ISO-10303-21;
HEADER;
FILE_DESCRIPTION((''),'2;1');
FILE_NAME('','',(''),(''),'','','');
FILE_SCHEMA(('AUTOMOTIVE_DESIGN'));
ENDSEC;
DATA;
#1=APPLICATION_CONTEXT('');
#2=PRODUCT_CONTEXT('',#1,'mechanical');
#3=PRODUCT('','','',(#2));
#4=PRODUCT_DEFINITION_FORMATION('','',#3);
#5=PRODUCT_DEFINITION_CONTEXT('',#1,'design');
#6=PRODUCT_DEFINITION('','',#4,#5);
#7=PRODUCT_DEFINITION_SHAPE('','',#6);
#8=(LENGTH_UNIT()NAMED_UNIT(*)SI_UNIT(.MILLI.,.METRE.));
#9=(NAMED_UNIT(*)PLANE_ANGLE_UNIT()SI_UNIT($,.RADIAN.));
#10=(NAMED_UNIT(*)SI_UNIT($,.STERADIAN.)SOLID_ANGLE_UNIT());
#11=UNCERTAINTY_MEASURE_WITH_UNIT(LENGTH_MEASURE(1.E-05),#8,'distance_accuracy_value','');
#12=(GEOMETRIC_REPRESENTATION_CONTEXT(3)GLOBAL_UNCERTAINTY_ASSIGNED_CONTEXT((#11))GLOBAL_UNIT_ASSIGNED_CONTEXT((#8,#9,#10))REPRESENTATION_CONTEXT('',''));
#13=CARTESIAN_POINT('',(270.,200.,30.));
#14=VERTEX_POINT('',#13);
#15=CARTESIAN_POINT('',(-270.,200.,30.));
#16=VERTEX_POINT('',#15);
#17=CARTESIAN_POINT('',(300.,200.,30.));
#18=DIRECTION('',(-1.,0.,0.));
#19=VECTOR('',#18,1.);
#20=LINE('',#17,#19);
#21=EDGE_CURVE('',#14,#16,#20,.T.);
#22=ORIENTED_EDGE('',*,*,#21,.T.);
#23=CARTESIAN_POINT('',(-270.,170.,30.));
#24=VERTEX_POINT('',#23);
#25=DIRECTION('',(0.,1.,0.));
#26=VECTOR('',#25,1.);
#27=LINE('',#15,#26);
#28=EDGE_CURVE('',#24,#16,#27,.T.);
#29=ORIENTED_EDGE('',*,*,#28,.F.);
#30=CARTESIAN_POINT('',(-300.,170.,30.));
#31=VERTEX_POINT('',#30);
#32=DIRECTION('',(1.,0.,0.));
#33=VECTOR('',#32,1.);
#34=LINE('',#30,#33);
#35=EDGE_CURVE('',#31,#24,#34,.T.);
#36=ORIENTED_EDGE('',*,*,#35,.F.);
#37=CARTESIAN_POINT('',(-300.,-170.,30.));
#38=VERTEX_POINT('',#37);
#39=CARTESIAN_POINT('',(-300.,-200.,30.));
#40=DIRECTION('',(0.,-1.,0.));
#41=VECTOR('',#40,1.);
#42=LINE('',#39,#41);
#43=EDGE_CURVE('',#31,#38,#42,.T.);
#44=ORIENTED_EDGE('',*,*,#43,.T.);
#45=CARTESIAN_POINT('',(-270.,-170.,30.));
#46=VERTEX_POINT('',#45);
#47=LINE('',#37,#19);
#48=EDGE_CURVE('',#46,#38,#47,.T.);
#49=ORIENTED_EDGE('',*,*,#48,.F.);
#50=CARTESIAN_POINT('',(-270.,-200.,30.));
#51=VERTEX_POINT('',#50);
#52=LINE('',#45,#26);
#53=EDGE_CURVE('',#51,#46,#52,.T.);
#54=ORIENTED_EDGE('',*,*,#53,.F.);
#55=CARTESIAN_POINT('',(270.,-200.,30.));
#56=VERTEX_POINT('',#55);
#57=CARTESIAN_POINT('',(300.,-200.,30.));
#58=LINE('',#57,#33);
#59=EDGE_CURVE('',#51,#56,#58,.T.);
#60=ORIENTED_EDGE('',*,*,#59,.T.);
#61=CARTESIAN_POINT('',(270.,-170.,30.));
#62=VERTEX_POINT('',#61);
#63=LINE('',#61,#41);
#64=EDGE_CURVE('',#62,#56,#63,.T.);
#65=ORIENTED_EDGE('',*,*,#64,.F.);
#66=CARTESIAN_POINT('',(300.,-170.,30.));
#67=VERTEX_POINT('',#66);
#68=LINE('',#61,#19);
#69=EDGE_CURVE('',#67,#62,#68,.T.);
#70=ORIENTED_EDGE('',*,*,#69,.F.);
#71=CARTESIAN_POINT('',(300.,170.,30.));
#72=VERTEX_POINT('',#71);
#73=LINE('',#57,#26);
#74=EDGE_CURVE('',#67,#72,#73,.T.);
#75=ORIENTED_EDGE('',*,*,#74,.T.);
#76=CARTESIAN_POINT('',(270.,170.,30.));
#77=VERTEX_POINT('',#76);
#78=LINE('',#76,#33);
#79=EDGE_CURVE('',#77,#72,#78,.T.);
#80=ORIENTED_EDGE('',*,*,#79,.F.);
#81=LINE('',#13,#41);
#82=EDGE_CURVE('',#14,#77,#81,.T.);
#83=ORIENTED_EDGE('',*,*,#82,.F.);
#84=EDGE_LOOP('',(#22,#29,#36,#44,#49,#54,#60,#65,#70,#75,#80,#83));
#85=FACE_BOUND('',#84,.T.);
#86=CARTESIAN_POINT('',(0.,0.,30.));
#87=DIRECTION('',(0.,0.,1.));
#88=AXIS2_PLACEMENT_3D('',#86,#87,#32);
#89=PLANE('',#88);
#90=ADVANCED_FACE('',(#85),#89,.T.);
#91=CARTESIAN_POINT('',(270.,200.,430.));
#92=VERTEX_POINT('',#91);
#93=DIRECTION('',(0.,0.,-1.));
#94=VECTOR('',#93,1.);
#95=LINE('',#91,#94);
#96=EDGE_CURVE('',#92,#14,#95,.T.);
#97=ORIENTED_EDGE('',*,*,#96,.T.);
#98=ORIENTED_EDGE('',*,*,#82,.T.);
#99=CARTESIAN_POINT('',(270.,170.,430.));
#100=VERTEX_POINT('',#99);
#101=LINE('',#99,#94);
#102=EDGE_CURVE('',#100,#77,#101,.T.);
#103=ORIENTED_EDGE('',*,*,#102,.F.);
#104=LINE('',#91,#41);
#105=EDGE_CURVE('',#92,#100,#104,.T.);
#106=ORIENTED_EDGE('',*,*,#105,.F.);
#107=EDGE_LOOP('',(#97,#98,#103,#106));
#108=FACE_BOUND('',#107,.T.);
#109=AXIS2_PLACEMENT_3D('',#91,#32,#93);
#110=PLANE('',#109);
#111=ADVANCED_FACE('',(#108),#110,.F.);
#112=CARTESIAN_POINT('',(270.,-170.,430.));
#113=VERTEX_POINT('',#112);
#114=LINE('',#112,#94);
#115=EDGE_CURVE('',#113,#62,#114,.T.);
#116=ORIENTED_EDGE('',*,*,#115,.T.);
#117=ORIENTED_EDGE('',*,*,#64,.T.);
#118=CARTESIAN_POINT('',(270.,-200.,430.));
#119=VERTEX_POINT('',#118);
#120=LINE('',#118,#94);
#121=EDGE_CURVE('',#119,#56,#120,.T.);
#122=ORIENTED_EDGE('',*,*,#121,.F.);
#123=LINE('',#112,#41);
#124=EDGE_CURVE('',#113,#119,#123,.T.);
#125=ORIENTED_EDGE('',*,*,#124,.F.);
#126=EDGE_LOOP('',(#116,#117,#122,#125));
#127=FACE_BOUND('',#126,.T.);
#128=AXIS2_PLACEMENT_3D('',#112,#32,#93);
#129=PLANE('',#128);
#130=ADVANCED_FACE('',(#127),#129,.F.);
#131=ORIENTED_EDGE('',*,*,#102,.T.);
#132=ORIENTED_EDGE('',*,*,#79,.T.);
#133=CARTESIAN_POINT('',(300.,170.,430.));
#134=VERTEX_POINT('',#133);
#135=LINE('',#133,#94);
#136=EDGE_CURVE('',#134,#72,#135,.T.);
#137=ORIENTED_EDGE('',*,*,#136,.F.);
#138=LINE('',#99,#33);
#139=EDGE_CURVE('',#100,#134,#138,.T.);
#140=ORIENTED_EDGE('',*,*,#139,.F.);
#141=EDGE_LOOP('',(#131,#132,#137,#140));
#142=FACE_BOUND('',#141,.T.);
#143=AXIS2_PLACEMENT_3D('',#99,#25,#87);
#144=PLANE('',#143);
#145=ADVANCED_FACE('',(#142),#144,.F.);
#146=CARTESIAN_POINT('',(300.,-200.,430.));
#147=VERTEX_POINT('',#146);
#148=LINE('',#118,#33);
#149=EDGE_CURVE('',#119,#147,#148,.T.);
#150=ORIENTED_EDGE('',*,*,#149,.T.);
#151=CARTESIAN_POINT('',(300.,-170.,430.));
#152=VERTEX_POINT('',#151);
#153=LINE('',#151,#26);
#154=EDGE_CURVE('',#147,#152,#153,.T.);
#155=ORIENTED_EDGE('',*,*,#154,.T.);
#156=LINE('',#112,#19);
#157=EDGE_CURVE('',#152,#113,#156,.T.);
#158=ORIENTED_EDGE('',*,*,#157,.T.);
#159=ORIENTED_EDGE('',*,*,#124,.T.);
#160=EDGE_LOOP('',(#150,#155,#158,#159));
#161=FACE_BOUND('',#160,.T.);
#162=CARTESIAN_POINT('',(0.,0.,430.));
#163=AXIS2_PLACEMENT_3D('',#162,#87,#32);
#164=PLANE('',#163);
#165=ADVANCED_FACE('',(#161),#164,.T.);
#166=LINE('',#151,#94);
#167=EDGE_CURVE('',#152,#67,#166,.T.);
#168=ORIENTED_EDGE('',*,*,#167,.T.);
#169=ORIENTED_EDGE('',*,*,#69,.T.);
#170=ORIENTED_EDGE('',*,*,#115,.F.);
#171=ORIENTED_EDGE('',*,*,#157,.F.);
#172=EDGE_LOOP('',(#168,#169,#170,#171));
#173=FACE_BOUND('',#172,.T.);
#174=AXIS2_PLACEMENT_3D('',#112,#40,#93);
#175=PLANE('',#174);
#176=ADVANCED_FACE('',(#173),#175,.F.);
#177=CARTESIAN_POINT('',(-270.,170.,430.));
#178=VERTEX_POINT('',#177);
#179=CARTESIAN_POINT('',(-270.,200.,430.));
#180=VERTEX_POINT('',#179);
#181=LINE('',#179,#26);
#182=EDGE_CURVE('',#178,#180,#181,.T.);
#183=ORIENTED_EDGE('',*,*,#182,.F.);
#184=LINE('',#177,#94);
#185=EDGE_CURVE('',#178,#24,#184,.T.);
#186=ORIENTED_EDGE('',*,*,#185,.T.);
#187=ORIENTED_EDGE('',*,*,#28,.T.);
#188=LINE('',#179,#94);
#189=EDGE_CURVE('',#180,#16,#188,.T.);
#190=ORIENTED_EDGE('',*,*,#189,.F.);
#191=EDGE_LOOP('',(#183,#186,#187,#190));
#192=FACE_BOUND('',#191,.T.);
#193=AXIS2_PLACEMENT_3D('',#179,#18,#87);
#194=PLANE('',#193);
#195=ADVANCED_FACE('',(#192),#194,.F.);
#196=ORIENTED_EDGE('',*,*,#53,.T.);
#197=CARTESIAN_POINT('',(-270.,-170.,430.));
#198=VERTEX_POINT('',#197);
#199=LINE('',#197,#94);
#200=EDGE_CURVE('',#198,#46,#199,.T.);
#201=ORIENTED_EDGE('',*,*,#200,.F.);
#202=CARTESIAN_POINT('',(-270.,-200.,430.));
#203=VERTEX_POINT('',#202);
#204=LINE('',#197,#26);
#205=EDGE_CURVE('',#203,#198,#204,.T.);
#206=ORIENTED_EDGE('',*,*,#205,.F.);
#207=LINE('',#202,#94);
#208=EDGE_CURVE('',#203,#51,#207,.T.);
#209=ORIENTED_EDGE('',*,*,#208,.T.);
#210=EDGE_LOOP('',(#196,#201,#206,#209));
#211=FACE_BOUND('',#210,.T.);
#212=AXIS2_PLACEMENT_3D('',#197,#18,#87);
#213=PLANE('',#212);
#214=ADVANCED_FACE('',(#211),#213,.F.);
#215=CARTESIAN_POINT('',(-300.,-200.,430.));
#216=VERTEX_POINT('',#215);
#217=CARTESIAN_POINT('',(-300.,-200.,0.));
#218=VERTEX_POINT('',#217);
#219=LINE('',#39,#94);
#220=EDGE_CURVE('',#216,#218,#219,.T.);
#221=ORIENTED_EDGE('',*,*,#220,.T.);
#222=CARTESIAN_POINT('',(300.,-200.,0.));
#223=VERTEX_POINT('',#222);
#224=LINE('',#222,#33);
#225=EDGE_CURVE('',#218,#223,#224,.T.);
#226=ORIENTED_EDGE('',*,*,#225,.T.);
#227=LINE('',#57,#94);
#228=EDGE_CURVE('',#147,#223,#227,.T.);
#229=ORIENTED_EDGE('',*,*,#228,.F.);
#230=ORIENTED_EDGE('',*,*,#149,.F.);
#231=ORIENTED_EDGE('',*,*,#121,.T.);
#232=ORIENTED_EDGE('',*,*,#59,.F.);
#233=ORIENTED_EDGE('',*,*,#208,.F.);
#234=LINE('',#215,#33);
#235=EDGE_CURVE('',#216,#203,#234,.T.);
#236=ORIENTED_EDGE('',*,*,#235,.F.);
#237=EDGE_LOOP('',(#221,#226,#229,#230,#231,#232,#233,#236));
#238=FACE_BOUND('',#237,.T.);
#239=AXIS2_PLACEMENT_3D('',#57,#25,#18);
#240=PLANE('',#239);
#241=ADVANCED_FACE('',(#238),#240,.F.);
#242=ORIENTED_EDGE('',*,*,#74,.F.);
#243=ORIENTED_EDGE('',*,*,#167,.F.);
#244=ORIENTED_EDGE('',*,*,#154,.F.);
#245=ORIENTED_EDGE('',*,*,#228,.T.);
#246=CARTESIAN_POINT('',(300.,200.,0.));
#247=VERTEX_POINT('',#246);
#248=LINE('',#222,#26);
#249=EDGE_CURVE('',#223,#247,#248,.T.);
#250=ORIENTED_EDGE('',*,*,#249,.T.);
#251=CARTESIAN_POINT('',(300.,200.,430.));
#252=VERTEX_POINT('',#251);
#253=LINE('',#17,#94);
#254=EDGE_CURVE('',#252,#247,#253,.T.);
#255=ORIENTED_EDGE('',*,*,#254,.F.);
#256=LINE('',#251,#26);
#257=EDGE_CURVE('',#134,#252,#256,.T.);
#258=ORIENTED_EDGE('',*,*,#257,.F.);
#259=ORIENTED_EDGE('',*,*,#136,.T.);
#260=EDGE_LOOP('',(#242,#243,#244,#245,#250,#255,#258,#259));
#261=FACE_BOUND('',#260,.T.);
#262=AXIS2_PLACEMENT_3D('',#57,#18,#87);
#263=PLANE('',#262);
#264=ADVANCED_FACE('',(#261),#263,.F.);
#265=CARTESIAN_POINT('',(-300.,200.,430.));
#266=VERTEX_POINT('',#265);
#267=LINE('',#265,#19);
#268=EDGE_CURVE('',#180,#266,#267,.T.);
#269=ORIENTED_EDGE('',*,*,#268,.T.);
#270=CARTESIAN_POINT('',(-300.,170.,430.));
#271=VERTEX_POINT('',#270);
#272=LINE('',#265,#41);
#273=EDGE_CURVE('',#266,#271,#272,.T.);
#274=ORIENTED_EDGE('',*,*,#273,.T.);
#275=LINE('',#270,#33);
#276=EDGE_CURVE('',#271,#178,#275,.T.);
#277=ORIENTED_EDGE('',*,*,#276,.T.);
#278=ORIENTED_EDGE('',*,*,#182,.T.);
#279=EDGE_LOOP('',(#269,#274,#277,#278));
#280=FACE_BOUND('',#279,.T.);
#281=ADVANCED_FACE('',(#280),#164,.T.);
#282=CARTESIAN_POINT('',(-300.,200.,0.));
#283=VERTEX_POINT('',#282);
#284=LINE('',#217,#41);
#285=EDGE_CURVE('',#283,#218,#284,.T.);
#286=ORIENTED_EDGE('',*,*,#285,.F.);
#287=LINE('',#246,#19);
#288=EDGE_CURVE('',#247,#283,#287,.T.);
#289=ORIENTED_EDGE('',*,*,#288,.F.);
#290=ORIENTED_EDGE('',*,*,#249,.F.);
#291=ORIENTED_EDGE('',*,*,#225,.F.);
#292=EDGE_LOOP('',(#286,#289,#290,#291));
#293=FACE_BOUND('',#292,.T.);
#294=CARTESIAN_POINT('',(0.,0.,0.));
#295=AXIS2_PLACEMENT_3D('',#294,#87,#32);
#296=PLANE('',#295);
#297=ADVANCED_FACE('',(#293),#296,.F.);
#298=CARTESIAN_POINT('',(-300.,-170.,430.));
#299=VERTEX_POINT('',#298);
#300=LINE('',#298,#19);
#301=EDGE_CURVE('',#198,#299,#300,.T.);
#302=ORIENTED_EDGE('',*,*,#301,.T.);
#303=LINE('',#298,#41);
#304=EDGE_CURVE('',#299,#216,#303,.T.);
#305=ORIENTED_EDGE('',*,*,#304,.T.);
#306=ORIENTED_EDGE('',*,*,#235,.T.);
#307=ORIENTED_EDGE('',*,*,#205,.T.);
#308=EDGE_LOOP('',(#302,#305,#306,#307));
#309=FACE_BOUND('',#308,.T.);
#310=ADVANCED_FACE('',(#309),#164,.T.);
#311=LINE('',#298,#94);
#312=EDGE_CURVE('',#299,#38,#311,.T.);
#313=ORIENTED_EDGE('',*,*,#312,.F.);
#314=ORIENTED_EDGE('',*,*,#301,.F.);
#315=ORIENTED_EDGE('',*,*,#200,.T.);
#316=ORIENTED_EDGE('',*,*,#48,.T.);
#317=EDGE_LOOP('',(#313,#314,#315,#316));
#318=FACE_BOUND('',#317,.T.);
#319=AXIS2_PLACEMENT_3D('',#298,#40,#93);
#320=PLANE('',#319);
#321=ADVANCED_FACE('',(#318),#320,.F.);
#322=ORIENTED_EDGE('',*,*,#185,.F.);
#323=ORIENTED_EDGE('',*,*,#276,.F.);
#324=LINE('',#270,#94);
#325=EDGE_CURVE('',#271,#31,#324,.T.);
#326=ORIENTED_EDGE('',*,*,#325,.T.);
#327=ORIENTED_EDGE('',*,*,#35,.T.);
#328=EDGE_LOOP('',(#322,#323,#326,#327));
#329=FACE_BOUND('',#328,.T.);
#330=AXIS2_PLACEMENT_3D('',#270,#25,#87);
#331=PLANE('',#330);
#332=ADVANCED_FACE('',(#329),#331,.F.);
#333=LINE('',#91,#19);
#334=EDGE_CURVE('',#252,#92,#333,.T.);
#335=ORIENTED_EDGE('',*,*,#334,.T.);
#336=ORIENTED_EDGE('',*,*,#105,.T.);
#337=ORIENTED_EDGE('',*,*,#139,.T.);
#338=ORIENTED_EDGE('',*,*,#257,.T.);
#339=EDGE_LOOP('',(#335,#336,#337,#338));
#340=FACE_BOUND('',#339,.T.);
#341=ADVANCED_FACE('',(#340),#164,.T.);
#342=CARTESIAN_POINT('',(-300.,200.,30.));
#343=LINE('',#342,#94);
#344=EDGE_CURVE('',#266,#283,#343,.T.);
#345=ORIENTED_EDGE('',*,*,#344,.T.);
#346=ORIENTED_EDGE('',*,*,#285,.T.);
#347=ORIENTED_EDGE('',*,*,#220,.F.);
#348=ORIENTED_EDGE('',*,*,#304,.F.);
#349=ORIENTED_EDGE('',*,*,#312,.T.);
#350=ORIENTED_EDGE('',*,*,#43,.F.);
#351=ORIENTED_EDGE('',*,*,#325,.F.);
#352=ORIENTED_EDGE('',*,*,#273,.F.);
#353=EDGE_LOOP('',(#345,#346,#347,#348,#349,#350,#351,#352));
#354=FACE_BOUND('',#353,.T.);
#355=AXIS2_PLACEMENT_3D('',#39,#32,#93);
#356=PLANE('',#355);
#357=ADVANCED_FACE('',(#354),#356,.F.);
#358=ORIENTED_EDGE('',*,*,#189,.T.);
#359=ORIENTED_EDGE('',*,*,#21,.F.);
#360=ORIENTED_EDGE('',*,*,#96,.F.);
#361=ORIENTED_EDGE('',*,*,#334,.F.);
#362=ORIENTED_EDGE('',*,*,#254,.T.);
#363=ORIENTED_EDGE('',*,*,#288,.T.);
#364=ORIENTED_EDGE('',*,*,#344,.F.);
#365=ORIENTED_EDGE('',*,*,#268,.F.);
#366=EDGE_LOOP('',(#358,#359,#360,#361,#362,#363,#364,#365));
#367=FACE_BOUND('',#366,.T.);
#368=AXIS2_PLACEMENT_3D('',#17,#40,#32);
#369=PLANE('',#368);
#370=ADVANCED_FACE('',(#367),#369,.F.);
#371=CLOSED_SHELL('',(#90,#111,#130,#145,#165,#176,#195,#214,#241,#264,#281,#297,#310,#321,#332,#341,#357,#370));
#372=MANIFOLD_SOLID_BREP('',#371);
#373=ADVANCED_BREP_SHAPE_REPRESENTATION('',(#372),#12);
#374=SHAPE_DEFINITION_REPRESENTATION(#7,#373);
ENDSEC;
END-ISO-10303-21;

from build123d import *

# Parameters (mm, degrees)
SKETCH1_W           = 600
SKETCH1_H           = 400
BOSS_EXTRUDE1_DEPTH = 30
SKETCH2_W           = 30
SKETCH2_H           = 30
BOSS_EXTRUDE2_DEPTH = 400


with BuildPart() as part:
    # Sketch1 → Boss-Extrude1 (new body)
    with BuildSketch(Plane.XY):
        Rectangle(SKETCH1_W, SKETCH1_H)
    extrude(amount=BOSS_EXTRUDE1_DEPTH)

    # Sketch2 → Boss-Extrude2 (add)
    with BuildSketch(Plane.XY.offset(30)):
        with Locations((285, 185)):
            Rectangle(SKETCH2_W, SKETCH2_H)
        with Locations((-285, 185)):
            Rectangle(SKETCH2_W, SKETCH2_H)
        with Locations((285, -185)):
            Rectangle(SKETCH2_W, SKETCH2_H)
        with Locations((-285, -185)):
            Rectangle(SKETCH2_W, SKETCH2_H)
    extrude(amount=BOSS_EXTRUDE2_DEPTH)


solid = part.part
